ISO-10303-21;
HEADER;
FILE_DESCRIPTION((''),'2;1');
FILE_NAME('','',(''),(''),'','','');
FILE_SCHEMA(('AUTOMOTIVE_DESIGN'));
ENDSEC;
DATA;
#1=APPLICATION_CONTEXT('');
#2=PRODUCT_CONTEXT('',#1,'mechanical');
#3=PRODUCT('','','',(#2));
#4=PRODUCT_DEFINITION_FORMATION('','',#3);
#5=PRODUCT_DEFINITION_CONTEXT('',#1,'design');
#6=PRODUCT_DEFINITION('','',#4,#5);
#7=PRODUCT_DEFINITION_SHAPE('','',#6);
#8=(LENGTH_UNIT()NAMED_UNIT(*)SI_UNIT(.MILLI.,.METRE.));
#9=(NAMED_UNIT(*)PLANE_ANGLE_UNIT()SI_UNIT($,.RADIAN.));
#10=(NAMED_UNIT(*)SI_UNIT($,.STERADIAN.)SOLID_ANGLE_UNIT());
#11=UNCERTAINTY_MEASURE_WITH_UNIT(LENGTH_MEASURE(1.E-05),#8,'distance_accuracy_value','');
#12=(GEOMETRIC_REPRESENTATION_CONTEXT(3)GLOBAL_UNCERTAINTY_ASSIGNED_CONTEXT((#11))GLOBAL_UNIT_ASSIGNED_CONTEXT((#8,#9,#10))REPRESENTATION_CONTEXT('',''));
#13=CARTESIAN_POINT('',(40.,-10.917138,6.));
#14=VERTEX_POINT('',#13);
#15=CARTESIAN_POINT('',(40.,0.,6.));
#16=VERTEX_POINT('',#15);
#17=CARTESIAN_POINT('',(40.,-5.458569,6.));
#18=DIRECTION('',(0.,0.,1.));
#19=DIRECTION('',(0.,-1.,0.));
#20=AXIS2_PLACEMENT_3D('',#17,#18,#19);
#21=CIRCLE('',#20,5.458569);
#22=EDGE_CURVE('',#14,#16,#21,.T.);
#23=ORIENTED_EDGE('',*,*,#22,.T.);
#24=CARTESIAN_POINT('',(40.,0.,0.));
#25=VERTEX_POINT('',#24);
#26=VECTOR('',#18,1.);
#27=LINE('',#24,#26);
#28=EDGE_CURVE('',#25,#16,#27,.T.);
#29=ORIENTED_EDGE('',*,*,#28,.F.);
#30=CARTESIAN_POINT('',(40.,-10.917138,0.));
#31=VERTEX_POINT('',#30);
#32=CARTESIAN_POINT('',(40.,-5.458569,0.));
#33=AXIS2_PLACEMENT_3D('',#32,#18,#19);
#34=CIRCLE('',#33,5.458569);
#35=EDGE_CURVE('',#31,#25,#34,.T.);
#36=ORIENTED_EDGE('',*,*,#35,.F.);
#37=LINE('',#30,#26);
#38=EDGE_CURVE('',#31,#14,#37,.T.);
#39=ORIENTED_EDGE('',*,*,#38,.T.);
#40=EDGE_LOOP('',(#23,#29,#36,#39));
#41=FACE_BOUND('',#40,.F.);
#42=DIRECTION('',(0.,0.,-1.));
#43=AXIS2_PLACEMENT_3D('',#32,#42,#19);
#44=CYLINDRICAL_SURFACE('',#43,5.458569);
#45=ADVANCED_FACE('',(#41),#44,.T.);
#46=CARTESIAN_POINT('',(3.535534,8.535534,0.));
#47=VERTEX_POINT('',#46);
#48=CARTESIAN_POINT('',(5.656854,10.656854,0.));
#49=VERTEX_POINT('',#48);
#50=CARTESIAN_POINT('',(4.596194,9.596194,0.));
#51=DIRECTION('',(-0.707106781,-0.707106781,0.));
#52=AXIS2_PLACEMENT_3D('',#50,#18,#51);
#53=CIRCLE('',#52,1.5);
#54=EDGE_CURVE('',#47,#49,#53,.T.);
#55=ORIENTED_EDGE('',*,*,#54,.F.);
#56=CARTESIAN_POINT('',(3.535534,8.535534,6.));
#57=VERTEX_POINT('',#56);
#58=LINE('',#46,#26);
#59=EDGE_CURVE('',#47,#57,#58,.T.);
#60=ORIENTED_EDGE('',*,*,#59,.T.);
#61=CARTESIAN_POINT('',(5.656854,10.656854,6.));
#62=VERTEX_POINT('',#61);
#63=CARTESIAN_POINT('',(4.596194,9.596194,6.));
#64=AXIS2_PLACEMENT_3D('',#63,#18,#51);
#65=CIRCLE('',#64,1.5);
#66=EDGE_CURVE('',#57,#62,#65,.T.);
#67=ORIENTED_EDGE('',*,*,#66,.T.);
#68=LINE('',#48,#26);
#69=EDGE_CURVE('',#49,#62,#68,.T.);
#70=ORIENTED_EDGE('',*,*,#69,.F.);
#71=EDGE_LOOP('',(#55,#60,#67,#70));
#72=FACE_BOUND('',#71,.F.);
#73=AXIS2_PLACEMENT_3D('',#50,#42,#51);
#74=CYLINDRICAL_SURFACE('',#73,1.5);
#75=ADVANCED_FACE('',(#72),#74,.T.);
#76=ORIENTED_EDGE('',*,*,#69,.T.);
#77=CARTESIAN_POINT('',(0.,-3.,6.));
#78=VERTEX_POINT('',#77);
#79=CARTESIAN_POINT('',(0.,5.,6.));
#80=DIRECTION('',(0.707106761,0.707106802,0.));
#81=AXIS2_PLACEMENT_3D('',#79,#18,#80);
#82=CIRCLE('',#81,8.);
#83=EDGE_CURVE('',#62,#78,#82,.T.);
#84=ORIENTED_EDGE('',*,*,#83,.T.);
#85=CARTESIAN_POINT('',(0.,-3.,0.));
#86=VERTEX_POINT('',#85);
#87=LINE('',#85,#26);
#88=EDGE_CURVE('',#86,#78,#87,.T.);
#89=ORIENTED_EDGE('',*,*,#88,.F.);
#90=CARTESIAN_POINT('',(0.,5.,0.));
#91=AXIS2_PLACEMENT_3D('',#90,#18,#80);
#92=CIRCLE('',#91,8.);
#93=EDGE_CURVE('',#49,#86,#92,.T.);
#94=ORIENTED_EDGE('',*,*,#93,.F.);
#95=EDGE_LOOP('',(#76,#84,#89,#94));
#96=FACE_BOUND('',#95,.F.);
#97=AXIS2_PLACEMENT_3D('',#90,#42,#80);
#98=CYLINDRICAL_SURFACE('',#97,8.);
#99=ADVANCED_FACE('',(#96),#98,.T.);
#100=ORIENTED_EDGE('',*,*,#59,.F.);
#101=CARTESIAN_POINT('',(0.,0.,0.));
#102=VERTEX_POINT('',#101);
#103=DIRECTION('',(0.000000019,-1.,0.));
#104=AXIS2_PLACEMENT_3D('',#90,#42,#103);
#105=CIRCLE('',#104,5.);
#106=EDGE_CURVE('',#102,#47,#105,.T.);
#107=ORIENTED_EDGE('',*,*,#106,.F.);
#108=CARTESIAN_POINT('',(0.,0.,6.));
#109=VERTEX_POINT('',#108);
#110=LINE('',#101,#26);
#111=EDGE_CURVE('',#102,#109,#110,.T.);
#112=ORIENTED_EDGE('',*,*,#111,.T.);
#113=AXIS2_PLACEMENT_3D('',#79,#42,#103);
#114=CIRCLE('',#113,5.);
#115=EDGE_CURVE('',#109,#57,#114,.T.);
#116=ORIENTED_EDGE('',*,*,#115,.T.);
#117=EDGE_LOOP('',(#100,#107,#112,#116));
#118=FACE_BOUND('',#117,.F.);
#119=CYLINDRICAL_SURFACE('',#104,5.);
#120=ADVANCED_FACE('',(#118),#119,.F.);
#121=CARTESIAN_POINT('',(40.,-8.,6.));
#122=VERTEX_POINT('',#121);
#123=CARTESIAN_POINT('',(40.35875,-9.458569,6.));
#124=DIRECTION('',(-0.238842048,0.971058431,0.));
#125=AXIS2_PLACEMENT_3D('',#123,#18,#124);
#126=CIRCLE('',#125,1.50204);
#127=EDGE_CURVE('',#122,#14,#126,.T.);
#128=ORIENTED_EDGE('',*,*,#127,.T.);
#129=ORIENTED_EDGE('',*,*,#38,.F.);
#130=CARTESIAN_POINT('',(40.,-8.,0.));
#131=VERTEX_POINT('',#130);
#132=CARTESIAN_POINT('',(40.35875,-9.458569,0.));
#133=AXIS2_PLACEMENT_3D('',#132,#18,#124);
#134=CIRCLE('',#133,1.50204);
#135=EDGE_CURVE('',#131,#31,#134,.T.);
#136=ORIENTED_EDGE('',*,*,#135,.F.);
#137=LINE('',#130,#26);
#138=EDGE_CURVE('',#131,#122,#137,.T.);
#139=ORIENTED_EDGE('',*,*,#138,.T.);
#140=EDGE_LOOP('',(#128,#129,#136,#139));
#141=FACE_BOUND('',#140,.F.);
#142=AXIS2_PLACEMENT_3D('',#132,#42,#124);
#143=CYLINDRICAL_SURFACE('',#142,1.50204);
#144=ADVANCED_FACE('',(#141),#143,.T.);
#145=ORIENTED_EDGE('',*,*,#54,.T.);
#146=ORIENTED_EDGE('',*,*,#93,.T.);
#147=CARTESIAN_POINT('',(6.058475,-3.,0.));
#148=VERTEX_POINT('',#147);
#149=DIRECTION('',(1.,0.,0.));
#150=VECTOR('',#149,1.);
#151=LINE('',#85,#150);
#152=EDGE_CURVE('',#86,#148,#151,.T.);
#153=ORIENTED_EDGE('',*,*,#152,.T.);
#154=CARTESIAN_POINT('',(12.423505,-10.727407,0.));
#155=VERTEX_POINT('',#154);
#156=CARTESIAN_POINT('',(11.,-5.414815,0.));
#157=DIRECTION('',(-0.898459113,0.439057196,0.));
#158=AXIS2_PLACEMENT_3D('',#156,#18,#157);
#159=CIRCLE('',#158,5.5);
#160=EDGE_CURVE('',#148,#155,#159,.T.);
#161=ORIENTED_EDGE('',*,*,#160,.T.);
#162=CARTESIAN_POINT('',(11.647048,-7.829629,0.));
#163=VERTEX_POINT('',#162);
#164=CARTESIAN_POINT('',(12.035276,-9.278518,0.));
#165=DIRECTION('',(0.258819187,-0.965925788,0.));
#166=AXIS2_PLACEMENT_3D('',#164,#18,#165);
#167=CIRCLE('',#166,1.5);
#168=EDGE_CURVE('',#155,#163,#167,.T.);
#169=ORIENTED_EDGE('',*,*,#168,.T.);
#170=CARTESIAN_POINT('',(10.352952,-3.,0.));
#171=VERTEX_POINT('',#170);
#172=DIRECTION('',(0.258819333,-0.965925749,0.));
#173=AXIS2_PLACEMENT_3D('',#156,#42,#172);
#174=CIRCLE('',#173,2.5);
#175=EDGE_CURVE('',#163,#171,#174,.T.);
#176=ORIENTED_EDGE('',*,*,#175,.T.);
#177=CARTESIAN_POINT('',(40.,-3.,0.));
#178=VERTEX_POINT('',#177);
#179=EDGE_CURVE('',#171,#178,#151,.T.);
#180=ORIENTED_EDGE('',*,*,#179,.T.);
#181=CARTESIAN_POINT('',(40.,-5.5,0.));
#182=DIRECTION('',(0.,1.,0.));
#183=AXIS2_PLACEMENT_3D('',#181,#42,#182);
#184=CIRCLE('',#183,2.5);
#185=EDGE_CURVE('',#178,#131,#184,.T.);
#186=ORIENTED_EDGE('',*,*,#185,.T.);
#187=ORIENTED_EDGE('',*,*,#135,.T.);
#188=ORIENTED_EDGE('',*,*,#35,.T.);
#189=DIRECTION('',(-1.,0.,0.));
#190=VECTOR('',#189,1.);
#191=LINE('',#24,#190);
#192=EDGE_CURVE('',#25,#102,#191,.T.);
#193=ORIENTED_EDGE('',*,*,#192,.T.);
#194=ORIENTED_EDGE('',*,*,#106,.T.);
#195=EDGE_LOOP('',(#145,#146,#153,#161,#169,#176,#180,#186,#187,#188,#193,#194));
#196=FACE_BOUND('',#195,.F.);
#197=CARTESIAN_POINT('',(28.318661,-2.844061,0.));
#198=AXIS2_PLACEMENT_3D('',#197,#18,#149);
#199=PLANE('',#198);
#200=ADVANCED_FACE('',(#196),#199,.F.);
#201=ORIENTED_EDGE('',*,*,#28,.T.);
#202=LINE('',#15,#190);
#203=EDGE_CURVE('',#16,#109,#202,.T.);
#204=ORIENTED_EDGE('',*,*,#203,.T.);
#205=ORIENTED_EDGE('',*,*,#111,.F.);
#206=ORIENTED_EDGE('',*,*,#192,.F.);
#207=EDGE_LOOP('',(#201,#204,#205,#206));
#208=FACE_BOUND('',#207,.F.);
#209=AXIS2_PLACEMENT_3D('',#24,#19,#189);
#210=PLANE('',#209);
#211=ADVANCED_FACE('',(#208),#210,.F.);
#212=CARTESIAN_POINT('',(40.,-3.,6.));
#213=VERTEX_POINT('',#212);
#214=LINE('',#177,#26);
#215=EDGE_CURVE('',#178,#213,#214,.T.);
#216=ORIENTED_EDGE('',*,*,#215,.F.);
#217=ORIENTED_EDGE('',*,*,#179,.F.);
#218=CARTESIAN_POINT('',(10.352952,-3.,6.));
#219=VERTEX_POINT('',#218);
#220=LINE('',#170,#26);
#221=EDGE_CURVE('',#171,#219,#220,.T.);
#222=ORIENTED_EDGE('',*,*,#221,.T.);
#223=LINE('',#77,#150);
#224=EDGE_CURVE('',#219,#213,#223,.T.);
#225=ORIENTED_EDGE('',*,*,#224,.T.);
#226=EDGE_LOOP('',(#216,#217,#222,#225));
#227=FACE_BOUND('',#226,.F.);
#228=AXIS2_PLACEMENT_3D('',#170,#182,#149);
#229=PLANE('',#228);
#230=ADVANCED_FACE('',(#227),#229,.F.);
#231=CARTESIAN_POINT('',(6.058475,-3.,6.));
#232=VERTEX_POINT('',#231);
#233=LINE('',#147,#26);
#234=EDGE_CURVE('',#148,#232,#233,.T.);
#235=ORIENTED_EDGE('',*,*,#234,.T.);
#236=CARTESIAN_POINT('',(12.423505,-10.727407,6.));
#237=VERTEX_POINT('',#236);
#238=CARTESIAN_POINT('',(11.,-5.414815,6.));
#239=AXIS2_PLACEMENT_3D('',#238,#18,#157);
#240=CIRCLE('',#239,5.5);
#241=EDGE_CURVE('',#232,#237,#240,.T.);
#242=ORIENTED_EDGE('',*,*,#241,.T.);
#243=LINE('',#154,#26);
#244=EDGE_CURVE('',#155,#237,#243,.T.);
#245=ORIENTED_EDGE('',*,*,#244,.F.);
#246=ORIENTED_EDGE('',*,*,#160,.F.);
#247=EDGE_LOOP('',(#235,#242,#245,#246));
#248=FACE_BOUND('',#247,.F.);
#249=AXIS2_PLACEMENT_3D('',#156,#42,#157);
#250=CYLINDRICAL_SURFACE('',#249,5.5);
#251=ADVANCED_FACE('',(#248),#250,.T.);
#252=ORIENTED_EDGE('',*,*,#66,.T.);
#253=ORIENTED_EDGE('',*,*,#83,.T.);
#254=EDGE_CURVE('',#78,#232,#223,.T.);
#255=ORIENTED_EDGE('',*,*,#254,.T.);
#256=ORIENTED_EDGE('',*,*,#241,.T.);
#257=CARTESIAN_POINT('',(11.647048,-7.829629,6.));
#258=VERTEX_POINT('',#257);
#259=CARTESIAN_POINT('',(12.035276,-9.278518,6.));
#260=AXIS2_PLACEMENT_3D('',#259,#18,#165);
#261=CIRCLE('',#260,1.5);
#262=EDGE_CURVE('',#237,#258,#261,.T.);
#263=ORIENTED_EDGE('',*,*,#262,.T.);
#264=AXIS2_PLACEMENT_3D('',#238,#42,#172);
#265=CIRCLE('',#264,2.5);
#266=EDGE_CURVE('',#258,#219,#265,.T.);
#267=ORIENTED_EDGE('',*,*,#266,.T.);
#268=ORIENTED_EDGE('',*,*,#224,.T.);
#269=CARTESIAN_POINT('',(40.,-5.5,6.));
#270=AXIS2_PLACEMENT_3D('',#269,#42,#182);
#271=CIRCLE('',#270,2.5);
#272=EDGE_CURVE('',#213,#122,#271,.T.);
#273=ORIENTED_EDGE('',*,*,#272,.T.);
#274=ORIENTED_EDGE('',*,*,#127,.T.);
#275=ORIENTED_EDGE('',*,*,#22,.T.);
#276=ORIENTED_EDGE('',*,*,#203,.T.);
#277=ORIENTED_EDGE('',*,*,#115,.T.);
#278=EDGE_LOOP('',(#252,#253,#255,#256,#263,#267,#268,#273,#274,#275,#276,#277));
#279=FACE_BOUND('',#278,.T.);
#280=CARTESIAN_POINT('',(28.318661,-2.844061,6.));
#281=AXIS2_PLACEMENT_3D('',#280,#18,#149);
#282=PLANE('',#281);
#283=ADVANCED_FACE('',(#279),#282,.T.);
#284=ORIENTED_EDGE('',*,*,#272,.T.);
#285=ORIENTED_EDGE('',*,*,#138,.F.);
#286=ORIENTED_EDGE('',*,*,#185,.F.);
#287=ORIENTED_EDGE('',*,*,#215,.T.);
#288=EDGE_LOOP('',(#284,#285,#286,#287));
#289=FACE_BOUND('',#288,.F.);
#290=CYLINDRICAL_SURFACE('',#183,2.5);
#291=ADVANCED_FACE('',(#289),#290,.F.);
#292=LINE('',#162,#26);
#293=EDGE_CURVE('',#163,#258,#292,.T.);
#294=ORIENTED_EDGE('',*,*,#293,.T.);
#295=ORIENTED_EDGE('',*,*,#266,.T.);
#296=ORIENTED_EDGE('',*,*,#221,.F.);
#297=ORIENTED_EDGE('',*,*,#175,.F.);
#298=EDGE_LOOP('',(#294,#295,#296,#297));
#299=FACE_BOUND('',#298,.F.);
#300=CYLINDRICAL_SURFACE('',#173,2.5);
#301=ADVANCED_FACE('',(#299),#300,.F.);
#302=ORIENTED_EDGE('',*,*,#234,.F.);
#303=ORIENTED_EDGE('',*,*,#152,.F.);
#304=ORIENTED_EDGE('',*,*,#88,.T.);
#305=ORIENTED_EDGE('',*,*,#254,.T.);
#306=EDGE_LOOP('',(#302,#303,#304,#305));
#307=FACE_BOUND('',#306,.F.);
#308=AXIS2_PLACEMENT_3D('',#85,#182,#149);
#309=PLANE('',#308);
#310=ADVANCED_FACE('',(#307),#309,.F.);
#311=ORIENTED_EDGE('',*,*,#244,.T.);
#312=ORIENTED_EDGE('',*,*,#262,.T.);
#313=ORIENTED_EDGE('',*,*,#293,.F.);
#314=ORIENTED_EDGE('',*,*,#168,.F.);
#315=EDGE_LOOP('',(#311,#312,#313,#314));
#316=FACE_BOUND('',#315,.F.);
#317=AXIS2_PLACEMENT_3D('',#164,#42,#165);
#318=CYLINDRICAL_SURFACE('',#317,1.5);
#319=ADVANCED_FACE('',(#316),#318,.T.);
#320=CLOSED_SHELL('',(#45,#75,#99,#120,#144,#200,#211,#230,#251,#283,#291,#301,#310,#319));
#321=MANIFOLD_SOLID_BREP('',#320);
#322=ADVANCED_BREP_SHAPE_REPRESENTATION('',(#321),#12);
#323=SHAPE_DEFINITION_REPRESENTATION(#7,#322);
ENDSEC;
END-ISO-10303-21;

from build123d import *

# Parameters (mm, degrees)
F1_DEPTH = 6


with BuildPart() as f1:
    # F0 (on Top) → F1 (new body)
    with BuildSketch(Plane.XY):
        with BuildLine():
            ThreePointArc((40, -10.917138), (45.458569, -5.458569), (40, 0))
            Line((40, 0), (10.035747, 0))
            ThreePointArc((10.035747, 0), (7.687968, -1.023864), (6.058475, -3))
            Line((6.058475, -3), (10.352952, -3))
            Line((10.352952, -3), (40, -3))
            ThreePointArc((40, -3), (42.5, -5.5), (40, -8))
            ThreePointArc((40, -8), (38.85671, -9.458569), (40, -10.917138))
        make_face()
        with BuildLine():
            ThreePointArc((6.058475, -3), (7.687968, -1.023864), (10.035747, 0))
            Line((10.035747, 0), (0, 0))
            ThreePointArc((0, 0), (-4.619398, 6.913417), (3.535534, 8.535534))
            ThreePointArc((3.535534, 8.535534), (5.656854, 8.535534), (5.656854, 10.656854))
            ThreePointArc((5.656854, 10.656854), (-7.391036, 8.061467), (0, -3))
            Line((0, -3), (6.058475, -3))
        make_face()
        with BuildLine():
            Line((10.352952, -3), (6.058475, -3))
            ThreePointArc((6.058475, -3), (6.75473, -8.911625), (12.423505, -10.727407))
            ThreePointArc((12.423505, -10.727407), (13.484165, -8.890289), (11.647048, -7.829629))
            ThreePointArc((11.647048, -7.829629), (8.585185, -6.061862), (10.352952, -3))
        make_face()
    extrude(amount=F1_DEPTH)


solid = f1.part
